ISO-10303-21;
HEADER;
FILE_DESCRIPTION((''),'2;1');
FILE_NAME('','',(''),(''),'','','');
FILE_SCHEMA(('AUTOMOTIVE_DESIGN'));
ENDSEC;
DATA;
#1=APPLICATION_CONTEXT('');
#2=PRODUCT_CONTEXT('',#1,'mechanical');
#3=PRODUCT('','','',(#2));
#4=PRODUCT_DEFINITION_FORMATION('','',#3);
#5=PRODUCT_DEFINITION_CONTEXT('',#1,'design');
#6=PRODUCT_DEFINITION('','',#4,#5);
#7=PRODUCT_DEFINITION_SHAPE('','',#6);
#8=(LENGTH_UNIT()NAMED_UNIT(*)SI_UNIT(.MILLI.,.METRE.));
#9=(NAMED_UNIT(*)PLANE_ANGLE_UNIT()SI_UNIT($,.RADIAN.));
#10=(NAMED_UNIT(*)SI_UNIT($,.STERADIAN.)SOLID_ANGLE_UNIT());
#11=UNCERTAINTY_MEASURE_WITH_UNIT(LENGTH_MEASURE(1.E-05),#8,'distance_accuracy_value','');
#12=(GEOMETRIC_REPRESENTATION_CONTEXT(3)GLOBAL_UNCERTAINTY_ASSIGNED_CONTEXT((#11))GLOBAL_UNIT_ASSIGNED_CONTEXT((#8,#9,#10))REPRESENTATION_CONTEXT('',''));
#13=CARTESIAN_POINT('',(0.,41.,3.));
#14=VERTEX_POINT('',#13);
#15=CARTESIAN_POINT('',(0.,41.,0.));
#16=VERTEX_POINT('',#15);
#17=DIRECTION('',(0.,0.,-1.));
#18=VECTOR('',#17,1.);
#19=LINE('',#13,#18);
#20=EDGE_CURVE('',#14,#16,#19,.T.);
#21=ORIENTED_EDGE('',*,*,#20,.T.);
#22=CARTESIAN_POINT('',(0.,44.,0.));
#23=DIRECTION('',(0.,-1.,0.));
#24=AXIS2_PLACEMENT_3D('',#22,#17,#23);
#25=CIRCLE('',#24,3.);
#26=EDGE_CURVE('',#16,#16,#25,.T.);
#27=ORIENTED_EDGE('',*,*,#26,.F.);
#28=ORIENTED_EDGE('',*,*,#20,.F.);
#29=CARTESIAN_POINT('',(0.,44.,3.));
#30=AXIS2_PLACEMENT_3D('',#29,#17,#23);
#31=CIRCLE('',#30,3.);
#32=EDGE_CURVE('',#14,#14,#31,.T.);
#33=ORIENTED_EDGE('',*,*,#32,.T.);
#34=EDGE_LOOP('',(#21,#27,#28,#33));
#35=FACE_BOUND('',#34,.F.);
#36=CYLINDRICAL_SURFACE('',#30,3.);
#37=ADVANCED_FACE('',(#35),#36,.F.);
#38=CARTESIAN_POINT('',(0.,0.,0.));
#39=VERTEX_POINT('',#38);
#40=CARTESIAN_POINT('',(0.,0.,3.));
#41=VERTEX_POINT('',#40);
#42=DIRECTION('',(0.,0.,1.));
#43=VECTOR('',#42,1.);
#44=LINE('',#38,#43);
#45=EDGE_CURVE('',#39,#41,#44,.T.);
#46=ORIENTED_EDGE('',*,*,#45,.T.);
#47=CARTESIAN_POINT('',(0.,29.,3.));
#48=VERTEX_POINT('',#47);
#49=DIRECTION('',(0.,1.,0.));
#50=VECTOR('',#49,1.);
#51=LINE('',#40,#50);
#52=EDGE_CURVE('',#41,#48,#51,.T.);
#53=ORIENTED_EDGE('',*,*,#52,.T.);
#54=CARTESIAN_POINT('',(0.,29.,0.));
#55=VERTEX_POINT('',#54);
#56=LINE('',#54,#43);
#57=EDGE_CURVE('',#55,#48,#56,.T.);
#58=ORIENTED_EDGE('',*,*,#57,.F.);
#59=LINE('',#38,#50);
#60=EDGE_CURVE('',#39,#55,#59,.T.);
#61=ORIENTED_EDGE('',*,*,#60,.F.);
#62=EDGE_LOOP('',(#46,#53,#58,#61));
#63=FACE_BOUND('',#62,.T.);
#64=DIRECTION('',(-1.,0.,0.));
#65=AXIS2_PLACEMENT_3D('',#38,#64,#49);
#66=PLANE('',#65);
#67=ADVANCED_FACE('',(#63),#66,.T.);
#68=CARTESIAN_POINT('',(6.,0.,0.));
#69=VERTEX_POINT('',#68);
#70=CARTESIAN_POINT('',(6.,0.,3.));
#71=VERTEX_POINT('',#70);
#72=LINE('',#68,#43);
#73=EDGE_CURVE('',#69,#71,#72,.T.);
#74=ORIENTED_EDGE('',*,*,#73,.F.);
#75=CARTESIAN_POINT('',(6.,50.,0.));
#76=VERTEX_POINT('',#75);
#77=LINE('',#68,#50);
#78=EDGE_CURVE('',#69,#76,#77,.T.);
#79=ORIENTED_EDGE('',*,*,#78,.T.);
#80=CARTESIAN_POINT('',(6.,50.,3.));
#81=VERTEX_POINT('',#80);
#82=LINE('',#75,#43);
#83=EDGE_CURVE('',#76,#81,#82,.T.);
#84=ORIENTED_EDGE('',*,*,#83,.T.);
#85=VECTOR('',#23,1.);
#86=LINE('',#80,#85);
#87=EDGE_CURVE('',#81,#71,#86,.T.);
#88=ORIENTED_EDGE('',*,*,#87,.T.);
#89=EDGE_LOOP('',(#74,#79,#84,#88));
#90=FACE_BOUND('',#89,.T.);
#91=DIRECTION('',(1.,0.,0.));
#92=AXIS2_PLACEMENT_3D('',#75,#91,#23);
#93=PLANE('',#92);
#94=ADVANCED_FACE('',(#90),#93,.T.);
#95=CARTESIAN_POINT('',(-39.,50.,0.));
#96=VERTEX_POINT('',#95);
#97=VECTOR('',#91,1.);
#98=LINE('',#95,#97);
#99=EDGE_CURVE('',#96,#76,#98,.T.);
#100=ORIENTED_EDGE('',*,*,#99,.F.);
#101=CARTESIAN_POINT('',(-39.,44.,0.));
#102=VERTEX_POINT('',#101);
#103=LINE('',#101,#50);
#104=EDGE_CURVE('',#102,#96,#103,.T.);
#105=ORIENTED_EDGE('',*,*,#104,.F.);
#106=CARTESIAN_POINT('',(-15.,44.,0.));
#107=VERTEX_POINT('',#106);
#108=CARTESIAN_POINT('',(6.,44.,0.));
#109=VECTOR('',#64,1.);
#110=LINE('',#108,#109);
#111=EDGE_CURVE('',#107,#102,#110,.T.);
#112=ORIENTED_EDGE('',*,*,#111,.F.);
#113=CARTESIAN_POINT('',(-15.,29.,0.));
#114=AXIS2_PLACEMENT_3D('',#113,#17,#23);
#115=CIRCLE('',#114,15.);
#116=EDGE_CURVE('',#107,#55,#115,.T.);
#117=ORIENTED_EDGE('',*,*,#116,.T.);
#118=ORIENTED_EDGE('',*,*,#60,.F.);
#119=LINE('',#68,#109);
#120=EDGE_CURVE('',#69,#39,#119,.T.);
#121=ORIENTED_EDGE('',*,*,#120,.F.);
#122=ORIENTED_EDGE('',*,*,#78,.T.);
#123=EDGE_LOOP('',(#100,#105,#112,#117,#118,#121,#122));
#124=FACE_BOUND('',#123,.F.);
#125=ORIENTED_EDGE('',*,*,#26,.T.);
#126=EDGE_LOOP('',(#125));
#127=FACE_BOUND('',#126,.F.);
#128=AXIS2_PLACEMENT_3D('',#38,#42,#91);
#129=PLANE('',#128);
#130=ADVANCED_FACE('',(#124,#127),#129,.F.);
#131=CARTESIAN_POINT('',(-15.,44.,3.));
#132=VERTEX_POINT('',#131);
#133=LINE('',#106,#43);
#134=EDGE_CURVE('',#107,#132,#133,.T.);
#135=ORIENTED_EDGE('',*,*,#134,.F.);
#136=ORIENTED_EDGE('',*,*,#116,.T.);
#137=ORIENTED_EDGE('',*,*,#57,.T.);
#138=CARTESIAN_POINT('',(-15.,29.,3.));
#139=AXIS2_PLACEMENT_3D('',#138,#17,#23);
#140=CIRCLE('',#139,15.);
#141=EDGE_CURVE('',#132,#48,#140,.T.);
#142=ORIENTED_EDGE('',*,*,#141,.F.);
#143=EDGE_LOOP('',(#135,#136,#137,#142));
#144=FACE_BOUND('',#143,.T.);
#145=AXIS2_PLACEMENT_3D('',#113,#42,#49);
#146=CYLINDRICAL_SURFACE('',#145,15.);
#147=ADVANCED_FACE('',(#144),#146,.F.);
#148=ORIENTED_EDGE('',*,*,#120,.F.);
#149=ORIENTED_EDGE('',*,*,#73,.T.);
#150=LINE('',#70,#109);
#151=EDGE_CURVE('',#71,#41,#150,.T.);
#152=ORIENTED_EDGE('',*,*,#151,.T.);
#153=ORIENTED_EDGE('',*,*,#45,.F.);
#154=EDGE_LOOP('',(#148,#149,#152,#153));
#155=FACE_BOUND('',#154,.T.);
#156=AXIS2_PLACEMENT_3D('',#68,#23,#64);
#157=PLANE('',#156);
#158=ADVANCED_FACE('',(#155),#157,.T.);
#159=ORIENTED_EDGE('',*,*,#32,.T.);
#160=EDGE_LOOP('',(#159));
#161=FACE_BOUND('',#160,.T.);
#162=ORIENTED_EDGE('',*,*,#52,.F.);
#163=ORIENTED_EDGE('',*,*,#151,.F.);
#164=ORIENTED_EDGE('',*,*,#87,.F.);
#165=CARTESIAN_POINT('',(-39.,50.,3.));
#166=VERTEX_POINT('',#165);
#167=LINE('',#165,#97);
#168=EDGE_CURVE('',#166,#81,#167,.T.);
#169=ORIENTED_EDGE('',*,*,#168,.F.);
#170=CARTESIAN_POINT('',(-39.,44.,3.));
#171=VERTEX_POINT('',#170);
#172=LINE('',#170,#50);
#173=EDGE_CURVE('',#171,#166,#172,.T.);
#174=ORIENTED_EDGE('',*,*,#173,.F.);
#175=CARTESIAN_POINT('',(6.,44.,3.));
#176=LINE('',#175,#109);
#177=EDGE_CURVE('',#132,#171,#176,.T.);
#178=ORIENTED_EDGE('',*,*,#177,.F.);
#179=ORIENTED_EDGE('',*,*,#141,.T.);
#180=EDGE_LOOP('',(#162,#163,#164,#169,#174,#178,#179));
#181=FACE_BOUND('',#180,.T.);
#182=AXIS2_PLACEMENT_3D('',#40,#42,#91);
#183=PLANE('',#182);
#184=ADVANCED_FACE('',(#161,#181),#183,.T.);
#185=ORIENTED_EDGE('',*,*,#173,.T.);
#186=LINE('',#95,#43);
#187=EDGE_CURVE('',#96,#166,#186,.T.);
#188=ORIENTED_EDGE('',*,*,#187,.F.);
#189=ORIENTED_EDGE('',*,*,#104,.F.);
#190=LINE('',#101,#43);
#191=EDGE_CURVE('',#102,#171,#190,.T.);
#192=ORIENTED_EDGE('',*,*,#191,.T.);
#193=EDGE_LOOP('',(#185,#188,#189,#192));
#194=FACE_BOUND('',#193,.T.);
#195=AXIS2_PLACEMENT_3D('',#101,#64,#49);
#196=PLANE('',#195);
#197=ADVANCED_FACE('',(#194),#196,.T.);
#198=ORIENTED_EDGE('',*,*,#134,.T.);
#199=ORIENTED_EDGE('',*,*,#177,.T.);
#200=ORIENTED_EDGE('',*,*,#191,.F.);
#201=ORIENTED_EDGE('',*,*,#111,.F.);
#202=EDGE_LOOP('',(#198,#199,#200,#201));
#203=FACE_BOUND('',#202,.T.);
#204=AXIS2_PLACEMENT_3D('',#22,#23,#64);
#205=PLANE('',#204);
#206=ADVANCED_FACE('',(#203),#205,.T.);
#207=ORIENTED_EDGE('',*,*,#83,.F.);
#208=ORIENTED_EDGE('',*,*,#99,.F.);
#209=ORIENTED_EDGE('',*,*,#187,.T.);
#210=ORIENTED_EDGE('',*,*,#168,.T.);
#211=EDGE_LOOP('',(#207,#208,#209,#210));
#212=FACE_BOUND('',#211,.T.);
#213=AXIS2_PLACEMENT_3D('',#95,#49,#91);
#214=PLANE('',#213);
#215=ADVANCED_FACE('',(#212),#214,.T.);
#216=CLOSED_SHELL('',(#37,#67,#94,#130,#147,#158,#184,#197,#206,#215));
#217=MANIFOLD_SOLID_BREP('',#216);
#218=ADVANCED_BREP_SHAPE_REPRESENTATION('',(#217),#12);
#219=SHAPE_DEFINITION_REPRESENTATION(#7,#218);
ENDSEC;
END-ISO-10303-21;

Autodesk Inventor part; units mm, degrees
ref_plane "YZ Plane" through (0, 0, 0) normal (1, 0, 0) x (0, 1, 0)
ref_plane "XZ Plane" through (0, 0, 0) normal (0, 1, 0) x (-1, 0, 0)
ref_plane "XY Plane" through (0, 0, 0) normal (0, 0, 1) x (1, 0, 0)
sketch "Sketch1" plane through (0, 0, 0) normal (0, 0, 1) x (1, 0, 0)
  line L0 (-39, 50) -> (6, 50)
  line L1 (6, 50) -> (6, 44)
  line L2 (6, 44) -> (-39, 44)
  line L3 (-39, 44) -> (-39, 50)
  line L4 (0, 44) -> (6, 44)
  line L5 (6, 44) -> (6, 0)
  line L6 (6, 0) -> (0, 0)
  line L7 (0, 0) -> (0, 44)
  dimension "d1" = 6
  dimension "d2" = 45
  dimension "d3" = 6
  dimension "d17" = 50
extrude "Extrusion1" add sketch "Sketch1" along normal blind 3
fillet "Fillet1" radius 15 1 edges at (0, 44, 1.5)
sketch "Sketch2" plane through (0, 0, 3) normal (0, 0, 1) x (1, 0, 0)
  line L0 (6, 50) -> (-39, 50) projected
  line L1 (6, 0) -> (6, 50) projected
  point P0 (0, 0)
  point P1 (0, 44)
  dimension "d8" = 6
  dimension "d9" = 6
hole "Hole1" at (0, 44, 3) direction (0, 0, -1) diameter 6 end through all
equation "\"d3\" = d1"
equation "\"d9\" = d8"
properties part number "Selection_Selector 1" material "Nylon 6/6"
